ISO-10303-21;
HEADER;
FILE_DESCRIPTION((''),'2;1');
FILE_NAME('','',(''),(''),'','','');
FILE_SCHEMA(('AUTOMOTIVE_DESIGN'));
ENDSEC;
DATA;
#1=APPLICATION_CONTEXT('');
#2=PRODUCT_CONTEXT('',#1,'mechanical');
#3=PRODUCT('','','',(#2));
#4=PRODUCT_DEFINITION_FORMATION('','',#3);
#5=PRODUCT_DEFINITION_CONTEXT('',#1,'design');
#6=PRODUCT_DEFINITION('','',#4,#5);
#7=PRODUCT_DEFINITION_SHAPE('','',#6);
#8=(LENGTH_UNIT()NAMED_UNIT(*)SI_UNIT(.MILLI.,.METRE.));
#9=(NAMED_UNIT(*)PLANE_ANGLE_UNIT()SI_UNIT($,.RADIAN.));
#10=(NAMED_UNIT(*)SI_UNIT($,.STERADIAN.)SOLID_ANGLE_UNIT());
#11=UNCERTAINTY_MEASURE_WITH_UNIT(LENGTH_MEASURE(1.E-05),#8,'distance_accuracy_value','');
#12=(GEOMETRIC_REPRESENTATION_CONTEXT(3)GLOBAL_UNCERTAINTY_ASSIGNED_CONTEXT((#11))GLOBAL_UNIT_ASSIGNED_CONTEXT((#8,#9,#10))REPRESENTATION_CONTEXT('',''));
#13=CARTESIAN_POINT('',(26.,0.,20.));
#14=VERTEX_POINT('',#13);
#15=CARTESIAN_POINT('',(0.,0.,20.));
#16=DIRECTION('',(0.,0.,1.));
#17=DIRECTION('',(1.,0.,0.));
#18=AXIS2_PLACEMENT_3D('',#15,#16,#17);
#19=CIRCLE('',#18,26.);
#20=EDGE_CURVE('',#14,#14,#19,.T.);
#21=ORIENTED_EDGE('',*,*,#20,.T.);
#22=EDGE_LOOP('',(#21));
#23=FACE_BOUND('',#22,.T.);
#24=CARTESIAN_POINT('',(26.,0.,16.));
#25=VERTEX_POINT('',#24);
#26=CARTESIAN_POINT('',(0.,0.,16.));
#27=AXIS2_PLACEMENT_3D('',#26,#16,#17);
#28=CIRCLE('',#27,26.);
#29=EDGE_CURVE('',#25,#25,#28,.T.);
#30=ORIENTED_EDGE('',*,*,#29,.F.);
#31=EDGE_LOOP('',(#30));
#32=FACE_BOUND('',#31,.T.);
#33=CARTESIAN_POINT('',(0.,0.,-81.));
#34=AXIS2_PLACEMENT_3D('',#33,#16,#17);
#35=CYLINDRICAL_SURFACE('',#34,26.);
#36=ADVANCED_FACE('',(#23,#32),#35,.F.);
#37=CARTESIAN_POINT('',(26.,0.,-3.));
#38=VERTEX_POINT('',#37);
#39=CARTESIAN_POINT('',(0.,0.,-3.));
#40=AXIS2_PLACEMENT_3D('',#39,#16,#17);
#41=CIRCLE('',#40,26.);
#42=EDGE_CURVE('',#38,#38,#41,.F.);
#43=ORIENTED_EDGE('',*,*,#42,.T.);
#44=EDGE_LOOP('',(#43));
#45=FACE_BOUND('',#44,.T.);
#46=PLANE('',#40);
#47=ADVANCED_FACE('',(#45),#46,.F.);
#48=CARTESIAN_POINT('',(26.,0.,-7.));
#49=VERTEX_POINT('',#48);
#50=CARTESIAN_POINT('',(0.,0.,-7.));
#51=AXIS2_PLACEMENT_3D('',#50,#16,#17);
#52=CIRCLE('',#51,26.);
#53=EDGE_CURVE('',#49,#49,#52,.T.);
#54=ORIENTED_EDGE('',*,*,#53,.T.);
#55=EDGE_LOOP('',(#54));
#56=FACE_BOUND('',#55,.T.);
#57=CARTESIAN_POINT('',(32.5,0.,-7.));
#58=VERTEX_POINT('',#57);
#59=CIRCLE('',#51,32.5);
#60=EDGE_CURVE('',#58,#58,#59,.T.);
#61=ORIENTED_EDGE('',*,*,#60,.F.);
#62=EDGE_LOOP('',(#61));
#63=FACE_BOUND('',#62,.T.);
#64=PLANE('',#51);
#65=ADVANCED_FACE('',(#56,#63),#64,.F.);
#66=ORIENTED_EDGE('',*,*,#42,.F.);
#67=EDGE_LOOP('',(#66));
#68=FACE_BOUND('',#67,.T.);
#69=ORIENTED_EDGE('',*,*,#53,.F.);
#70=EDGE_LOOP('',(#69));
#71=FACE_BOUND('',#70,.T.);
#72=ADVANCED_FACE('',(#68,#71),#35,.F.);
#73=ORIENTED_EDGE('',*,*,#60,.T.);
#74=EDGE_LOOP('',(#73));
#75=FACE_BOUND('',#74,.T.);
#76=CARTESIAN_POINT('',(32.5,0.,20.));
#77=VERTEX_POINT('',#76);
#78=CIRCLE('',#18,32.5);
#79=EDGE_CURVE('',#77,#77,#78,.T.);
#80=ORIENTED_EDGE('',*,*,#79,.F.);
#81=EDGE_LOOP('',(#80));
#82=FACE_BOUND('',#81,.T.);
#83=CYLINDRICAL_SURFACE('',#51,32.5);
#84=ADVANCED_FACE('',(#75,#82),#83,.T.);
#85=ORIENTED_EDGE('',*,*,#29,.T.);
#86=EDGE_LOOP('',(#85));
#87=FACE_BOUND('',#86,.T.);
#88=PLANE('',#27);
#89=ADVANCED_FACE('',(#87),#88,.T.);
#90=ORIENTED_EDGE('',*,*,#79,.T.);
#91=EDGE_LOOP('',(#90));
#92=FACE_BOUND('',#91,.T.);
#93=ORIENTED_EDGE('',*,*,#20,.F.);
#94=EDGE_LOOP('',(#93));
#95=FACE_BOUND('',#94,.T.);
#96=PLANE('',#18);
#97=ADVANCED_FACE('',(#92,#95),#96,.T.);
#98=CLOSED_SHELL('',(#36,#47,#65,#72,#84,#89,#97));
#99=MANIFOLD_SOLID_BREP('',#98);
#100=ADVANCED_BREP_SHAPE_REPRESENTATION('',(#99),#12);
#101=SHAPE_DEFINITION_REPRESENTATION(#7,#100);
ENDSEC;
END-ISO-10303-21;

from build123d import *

# Parameters (mm, degrees)
EXTRUDE_1_DEPTH          = 20
EXTRUDE_1_DEPTH_BACK     = 7
SKETCH_1_R               = 32.5
CUT_EXTRUDE_6_DEPTH      = 55
CUT_EXTRUDE_6_DEPTH_BACK = 81
SKETCH_2_R               = 26
EXTRUDE_4_DEPTH          = 16
EXTRUDE_4_DEPTH_BACK     = 3
SKETCH_3_R               = 26


with BuildPart() as part:
    # 草图1 → 凸台-拉伸1 (new, two sides: drawn at the far end of the back side and taken through both)
    with BuildSketch(Plane.XY.offset(-EXTRUDE_1_DEPTH_BACK)):
        Circle(SKETCH_1_R)
    extrude(amount=EXTRUDE_1_DEPTH + EXTRUDE_1_DEPTH_BACK)

    # 草图2 → 切除-拉伸6 (cut, two sides: drawn at the far end of the back side and taken through both)
    with BuildSketch(Plane.XY.offset(-CUT_EXTRUDE_6_DEPTH_BACK)):
        Circle(SKETCH_2_R)
    extrude(amount=CUT_EXTRUDE_6_DEPTH + CUT_EXTRUDE_6_DEPTH_BACK, mode=Mode.SUBTRACT)

    # 草图3 → 凸台-拉伸4 (add, two sides: drawn at the far end of the back side and taken through both)
    with BuildSketch(Plane.XY.offset(-EXTRUDE_4_DEPTH_BACK)):
        Circle(SKETCH_3_R)
    extrude(amount=EXTRUDE_4_DEPTH + EXTRUDE_4_DEPTH_BACK)


solid = part.part
